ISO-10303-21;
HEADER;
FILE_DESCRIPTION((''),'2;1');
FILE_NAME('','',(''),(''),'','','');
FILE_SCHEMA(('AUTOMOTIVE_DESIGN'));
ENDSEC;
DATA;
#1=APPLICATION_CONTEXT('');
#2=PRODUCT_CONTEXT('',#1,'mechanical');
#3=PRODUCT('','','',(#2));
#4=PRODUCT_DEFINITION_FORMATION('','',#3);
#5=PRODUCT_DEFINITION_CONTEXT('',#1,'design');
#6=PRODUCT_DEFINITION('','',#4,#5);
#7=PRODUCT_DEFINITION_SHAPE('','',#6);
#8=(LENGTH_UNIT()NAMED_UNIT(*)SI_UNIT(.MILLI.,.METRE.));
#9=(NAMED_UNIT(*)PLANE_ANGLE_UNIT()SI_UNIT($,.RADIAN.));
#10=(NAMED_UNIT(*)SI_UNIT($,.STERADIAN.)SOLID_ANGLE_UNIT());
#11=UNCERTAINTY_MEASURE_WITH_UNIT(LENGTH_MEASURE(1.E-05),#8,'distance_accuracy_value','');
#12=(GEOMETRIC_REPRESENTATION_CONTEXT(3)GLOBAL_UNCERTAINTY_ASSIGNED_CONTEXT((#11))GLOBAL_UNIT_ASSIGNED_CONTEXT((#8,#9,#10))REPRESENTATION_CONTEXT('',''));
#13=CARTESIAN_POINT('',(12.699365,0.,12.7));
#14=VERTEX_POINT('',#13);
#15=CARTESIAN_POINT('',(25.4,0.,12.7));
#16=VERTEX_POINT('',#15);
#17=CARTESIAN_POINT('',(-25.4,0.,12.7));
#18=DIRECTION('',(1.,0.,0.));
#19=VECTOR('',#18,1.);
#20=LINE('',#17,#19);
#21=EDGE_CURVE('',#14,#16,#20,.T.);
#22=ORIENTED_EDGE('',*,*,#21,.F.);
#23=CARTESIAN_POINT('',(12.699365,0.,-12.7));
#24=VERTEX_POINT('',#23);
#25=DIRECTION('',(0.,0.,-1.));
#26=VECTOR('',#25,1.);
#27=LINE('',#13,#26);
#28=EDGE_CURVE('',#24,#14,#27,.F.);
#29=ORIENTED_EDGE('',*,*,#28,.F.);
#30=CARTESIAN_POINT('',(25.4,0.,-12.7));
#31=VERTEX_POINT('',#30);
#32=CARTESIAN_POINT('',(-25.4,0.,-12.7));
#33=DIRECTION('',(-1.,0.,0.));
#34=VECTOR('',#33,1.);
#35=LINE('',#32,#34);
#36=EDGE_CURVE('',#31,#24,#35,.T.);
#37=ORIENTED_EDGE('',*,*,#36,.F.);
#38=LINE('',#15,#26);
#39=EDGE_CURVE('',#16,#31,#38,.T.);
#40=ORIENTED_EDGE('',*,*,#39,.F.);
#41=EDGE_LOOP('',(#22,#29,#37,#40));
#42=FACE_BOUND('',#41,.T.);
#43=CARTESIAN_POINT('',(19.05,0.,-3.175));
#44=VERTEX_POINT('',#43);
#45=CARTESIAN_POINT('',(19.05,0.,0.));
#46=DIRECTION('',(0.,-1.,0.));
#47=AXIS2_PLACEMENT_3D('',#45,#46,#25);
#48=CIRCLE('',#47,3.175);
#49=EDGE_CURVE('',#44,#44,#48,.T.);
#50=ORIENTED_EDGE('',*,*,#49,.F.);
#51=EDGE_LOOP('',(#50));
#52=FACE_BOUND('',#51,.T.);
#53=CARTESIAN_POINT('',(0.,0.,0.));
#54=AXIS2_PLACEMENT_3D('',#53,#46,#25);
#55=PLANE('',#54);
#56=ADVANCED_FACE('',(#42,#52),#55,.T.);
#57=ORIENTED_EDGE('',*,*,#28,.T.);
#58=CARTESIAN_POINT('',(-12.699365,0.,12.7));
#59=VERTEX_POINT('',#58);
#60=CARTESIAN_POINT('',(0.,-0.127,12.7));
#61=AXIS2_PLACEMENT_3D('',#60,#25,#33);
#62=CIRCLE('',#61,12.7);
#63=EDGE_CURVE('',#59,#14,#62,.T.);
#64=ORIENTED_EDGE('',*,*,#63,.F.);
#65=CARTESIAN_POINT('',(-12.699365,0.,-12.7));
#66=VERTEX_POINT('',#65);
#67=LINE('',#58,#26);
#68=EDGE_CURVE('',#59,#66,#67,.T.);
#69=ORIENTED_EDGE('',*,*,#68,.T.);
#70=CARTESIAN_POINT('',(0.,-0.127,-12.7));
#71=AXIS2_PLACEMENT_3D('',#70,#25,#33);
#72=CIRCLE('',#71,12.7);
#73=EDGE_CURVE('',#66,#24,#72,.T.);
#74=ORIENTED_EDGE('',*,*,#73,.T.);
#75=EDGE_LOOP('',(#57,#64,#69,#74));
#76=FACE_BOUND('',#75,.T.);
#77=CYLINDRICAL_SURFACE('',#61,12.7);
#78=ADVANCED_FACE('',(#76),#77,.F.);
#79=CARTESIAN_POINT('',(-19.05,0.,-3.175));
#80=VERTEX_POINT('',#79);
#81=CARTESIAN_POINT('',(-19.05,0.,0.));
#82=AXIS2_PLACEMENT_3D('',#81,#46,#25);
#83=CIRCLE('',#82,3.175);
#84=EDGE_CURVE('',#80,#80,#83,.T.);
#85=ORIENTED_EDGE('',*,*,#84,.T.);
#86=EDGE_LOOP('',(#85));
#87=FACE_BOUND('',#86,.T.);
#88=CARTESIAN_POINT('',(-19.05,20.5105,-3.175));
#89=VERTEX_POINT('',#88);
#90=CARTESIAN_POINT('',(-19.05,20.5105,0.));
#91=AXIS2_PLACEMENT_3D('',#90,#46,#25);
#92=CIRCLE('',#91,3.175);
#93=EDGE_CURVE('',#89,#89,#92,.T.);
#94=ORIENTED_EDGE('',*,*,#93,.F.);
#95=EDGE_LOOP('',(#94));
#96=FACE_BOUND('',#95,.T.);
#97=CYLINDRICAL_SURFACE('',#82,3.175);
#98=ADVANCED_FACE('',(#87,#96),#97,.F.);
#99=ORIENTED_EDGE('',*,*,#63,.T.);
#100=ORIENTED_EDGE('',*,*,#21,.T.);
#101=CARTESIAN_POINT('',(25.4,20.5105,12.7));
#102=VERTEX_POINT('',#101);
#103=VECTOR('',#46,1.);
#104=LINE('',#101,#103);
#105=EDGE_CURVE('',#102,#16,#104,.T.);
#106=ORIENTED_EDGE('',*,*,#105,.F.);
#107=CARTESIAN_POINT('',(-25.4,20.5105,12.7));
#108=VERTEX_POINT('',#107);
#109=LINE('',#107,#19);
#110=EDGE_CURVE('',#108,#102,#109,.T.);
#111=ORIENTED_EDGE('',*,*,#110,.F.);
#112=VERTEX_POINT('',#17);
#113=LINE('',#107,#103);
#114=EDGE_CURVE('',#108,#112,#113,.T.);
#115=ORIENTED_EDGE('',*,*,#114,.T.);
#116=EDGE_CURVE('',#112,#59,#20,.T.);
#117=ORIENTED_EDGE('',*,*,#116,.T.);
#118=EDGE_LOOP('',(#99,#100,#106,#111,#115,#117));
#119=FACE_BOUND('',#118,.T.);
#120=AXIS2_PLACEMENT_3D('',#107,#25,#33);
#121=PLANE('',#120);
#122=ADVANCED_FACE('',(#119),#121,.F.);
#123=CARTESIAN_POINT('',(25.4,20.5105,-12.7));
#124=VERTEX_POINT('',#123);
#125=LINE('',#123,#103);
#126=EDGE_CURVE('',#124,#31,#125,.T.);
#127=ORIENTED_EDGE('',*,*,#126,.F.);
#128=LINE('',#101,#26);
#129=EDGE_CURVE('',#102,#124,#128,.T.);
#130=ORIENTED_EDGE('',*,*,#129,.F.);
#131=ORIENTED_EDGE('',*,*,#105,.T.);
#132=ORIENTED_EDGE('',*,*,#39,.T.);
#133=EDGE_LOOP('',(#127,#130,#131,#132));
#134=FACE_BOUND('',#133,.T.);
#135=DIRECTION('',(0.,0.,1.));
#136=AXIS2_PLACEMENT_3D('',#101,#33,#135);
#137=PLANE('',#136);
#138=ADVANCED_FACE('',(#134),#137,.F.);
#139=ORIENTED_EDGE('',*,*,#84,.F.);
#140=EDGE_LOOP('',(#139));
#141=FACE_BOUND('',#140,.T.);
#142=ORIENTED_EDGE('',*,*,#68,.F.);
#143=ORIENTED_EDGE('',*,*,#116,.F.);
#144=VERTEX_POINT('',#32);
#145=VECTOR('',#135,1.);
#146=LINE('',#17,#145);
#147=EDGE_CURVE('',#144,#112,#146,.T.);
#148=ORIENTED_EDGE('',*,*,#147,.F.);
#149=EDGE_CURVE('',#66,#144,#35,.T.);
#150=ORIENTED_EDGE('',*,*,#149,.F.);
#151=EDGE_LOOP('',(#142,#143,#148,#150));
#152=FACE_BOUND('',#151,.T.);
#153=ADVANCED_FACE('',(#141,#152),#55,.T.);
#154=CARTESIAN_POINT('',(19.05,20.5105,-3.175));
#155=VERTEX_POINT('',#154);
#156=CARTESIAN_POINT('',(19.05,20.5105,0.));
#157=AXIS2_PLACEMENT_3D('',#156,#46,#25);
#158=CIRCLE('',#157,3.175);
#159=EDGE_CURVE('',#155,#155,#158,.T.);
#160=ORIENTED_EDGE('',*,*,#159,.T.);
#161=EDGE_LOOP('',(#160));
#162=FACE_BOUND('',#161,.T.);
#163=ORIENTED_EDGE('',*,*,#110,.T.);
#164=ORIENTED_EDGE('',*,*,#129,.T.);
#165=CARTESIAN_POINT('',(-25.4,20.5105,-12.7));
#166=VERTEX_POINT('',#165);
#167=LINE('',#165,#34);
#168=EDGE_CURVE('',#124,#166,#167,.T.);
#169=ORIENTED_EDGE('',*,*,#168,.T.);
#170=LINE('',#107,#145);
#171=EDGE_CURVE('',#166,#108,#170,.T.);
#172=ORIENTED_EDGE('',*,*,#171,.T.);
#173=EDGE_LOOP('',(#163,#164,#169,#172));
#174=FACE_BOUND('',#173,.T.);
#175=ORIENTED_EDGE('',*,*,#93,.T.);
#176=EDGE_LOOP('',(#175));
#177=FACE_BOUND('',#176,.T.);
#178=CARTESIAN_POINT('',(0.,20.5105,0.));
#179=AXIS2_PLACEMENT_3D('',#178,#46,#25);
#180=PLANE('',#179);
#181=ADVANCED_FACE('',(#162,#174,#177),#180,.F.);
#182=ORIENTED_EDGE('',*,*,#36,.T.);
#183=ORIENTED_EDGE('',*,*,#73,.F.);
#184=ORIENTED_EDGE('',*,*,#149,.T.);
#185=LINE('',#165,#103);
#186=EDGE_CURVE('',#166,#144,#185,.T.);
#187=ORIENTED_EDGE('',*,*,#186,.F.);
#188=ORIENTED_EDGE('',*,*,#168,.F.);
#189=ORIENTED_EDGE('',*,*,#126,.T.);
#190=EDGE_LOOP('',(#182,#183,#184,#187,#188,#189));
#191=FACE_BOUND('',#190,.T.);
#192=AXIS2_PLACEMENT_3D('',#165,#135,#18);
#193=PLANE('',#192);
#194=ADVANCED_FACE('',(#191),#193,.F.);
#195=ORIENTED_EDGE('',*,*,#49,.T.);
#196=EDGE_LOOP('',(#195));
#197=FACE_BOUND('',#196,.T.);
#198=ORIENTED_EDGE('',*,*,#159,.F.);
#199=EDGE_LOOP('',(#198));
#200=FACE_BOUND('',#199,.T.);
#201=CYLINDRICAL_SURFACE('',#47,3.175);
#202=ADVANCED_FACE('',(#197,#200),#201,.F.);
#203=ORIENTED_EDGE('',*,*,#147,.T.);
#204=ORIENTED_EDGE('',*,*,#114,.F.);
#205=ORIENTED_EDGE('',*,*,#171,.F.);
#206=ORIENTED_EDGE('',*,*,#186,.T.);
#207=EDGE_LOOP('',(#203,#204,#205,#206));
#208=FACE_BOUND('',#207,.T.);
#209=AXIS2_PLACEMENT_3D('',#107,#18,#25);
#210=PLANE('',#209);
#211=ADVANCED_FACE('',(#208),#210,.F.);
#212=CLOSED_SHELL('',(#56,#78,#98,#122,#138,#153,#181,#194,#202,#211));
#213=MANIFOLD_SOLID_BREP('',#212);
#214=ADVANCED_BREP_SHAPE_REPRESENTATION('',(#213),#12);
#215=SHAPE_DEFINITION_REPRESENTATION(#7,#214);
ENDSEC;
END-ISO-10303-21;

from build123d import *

# Parameters (mm, degrees)
SKETCH1_W        = 50.8
SKETCH1_H        = 25.4
BLOCK_DEPTH      = 20.5105
SKETCH3_R        = 12.7
SHAFT_HOLE_DEPTH = 42.364243136
CLAMPING_HOLES_D = 6.35


with BuildPart() as part:
    # Sketch1 → Block (new body)
    with BuildSketch(Plane(origin=(0, 0, 0), x_dir=(1, 0, 0), z_dir=(0, 1, 0))):
        Rectangle(SKETCH1_W, SKETCH1_H)
    extrude(amount=BLOCK_DEPTH)

    # Sketch3 → Shaft Hole (cut, through all)
    with BuildSketch(Plane(origin=(0, 0, -12.7), x_dir=(-1, 0, 0), z_dir=(0, 0, -1))):
        with Locations((0, -0.127)):
            Circle(SKETCH3_R)
    extrude(amount=-SHAFT_HOLE_DEPTH, mode=Mode.SUBTRACT)

    # Clamping Holes (through all)
    with Locations(Plane(origin=(0, 0, 0), x_dir=(-1, 0, 0), z_dir=(0, -1, 0))):
        with Locations((-19.05, 0), (19.05, 0)):
            Hole(CLAMPING_HOLES_D / 2)


solid = part.part
